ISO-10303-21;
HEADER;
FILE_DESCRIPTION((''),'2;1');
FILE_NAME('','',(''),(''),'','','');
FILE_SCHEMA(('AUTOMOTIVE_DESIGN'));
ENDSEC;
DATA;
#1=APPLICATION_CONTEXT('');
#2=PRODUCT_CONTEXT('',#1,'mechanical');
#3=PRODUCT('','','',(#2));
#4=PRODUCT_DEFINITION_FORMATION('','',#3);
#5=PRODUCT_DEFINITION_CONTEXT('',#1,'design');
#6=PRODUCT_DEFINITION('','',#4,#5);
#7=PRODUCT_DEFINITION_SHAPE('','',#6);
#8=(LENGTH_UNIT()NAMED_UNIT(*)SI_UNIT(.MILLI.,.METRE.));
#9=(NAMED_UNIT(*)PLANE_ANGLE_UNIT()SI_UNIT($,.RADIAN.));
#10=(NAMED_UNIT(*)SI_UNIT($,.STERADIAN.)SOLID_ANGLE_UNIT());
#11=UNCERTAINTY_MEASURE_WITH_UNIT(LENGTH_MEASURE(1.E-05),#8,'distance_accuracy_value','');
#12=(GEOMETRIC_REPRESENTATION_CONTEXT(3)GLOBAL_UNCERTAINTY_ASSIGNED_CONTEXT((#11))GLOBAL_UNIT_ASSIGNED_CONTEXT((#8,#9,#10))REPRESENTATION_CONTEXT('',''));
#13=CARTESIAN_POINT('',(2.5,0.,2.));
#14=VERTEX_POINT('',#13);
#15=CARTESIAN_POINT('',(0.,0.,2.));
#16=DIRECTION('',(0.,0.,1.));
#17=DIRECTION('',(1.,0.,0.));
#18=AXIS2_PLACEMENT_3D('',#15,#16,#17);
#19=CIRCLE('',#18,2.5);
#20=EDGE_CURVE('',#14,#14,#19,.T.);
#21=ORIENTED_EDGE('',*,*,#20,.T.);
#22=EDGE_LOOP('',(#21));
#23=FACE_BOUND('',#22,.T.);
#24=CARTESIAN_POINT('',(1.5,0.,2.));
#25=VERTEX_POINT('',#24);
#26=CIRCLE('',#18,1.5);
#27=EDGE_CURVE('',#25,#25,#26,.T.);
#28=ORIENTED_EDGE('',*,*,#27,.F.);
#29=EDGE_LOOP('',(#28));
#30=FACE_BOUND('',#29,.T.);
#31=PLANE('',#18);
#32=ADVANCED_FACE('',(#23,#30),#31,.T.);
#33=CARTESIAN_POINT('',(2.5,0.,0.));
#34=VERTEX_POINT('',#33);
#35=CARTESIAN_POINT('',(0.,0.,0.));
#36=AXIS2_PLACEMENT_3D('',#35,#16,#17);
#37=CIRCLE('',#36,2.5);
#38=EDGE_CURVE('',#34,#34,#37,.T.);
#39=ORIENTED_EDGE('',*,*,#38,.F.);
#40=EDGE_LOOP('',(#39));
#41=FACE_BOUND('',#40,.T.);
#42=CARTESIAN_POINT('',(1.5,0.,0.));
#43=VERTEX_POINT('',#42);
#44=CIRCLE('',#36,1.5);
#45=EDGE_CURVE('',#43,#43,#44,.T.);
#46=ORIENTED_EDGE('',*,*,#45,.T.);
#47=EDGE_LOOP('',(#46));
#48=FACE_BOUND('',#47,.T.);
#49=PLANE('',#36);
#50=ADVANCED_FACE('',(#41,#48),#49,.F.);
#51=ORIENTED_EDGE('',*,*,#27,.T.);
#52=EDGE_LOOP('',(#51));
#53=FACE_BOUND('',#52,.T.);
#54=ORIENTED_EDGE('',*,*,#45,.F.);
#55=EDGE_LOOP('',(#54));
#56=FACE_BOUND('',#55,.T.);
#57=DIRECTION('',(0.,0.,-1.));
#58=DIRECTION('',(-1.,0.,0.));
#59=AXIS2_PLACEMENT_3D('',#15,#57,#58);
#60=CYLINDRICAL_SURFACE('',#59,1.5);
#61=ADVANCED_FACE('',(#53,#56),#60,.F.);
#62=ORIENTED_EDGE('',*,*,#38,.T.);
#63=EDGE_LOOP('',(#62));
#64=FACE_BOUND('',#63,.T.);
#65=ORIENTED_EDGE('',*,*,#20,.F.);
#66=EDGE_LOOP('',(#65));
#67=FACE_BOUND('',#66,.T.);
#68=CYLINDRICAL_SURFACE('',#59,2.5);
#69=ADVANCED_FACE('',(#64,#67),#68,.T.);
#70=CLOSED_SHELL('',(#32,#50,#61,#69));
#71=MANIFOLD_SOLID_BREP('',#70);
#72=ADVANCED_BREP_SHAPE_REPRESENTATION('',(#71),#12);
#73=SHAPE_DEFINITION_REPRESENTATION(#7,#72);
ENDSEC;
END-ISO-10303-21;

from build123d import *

# Parameters (mm, degrees)
SKETCH_1_R      = 2.5
SKETCH_1_R_2    = 1.5
EXTRUDE_1_DEPTH = 2


with BuildPart() as part:
    # Эскиз1 → Бобышка-Вытянуть1 (new body)
    with BuildSketch(Plane.XY):
        Circle(SKETCH_1_R)
        Circle(SKETCH_1_R_2, mode=Mode.SUBTRACT)
    extrude(amount=EXTRUDE_1_DEPTH)


solid = part.part
